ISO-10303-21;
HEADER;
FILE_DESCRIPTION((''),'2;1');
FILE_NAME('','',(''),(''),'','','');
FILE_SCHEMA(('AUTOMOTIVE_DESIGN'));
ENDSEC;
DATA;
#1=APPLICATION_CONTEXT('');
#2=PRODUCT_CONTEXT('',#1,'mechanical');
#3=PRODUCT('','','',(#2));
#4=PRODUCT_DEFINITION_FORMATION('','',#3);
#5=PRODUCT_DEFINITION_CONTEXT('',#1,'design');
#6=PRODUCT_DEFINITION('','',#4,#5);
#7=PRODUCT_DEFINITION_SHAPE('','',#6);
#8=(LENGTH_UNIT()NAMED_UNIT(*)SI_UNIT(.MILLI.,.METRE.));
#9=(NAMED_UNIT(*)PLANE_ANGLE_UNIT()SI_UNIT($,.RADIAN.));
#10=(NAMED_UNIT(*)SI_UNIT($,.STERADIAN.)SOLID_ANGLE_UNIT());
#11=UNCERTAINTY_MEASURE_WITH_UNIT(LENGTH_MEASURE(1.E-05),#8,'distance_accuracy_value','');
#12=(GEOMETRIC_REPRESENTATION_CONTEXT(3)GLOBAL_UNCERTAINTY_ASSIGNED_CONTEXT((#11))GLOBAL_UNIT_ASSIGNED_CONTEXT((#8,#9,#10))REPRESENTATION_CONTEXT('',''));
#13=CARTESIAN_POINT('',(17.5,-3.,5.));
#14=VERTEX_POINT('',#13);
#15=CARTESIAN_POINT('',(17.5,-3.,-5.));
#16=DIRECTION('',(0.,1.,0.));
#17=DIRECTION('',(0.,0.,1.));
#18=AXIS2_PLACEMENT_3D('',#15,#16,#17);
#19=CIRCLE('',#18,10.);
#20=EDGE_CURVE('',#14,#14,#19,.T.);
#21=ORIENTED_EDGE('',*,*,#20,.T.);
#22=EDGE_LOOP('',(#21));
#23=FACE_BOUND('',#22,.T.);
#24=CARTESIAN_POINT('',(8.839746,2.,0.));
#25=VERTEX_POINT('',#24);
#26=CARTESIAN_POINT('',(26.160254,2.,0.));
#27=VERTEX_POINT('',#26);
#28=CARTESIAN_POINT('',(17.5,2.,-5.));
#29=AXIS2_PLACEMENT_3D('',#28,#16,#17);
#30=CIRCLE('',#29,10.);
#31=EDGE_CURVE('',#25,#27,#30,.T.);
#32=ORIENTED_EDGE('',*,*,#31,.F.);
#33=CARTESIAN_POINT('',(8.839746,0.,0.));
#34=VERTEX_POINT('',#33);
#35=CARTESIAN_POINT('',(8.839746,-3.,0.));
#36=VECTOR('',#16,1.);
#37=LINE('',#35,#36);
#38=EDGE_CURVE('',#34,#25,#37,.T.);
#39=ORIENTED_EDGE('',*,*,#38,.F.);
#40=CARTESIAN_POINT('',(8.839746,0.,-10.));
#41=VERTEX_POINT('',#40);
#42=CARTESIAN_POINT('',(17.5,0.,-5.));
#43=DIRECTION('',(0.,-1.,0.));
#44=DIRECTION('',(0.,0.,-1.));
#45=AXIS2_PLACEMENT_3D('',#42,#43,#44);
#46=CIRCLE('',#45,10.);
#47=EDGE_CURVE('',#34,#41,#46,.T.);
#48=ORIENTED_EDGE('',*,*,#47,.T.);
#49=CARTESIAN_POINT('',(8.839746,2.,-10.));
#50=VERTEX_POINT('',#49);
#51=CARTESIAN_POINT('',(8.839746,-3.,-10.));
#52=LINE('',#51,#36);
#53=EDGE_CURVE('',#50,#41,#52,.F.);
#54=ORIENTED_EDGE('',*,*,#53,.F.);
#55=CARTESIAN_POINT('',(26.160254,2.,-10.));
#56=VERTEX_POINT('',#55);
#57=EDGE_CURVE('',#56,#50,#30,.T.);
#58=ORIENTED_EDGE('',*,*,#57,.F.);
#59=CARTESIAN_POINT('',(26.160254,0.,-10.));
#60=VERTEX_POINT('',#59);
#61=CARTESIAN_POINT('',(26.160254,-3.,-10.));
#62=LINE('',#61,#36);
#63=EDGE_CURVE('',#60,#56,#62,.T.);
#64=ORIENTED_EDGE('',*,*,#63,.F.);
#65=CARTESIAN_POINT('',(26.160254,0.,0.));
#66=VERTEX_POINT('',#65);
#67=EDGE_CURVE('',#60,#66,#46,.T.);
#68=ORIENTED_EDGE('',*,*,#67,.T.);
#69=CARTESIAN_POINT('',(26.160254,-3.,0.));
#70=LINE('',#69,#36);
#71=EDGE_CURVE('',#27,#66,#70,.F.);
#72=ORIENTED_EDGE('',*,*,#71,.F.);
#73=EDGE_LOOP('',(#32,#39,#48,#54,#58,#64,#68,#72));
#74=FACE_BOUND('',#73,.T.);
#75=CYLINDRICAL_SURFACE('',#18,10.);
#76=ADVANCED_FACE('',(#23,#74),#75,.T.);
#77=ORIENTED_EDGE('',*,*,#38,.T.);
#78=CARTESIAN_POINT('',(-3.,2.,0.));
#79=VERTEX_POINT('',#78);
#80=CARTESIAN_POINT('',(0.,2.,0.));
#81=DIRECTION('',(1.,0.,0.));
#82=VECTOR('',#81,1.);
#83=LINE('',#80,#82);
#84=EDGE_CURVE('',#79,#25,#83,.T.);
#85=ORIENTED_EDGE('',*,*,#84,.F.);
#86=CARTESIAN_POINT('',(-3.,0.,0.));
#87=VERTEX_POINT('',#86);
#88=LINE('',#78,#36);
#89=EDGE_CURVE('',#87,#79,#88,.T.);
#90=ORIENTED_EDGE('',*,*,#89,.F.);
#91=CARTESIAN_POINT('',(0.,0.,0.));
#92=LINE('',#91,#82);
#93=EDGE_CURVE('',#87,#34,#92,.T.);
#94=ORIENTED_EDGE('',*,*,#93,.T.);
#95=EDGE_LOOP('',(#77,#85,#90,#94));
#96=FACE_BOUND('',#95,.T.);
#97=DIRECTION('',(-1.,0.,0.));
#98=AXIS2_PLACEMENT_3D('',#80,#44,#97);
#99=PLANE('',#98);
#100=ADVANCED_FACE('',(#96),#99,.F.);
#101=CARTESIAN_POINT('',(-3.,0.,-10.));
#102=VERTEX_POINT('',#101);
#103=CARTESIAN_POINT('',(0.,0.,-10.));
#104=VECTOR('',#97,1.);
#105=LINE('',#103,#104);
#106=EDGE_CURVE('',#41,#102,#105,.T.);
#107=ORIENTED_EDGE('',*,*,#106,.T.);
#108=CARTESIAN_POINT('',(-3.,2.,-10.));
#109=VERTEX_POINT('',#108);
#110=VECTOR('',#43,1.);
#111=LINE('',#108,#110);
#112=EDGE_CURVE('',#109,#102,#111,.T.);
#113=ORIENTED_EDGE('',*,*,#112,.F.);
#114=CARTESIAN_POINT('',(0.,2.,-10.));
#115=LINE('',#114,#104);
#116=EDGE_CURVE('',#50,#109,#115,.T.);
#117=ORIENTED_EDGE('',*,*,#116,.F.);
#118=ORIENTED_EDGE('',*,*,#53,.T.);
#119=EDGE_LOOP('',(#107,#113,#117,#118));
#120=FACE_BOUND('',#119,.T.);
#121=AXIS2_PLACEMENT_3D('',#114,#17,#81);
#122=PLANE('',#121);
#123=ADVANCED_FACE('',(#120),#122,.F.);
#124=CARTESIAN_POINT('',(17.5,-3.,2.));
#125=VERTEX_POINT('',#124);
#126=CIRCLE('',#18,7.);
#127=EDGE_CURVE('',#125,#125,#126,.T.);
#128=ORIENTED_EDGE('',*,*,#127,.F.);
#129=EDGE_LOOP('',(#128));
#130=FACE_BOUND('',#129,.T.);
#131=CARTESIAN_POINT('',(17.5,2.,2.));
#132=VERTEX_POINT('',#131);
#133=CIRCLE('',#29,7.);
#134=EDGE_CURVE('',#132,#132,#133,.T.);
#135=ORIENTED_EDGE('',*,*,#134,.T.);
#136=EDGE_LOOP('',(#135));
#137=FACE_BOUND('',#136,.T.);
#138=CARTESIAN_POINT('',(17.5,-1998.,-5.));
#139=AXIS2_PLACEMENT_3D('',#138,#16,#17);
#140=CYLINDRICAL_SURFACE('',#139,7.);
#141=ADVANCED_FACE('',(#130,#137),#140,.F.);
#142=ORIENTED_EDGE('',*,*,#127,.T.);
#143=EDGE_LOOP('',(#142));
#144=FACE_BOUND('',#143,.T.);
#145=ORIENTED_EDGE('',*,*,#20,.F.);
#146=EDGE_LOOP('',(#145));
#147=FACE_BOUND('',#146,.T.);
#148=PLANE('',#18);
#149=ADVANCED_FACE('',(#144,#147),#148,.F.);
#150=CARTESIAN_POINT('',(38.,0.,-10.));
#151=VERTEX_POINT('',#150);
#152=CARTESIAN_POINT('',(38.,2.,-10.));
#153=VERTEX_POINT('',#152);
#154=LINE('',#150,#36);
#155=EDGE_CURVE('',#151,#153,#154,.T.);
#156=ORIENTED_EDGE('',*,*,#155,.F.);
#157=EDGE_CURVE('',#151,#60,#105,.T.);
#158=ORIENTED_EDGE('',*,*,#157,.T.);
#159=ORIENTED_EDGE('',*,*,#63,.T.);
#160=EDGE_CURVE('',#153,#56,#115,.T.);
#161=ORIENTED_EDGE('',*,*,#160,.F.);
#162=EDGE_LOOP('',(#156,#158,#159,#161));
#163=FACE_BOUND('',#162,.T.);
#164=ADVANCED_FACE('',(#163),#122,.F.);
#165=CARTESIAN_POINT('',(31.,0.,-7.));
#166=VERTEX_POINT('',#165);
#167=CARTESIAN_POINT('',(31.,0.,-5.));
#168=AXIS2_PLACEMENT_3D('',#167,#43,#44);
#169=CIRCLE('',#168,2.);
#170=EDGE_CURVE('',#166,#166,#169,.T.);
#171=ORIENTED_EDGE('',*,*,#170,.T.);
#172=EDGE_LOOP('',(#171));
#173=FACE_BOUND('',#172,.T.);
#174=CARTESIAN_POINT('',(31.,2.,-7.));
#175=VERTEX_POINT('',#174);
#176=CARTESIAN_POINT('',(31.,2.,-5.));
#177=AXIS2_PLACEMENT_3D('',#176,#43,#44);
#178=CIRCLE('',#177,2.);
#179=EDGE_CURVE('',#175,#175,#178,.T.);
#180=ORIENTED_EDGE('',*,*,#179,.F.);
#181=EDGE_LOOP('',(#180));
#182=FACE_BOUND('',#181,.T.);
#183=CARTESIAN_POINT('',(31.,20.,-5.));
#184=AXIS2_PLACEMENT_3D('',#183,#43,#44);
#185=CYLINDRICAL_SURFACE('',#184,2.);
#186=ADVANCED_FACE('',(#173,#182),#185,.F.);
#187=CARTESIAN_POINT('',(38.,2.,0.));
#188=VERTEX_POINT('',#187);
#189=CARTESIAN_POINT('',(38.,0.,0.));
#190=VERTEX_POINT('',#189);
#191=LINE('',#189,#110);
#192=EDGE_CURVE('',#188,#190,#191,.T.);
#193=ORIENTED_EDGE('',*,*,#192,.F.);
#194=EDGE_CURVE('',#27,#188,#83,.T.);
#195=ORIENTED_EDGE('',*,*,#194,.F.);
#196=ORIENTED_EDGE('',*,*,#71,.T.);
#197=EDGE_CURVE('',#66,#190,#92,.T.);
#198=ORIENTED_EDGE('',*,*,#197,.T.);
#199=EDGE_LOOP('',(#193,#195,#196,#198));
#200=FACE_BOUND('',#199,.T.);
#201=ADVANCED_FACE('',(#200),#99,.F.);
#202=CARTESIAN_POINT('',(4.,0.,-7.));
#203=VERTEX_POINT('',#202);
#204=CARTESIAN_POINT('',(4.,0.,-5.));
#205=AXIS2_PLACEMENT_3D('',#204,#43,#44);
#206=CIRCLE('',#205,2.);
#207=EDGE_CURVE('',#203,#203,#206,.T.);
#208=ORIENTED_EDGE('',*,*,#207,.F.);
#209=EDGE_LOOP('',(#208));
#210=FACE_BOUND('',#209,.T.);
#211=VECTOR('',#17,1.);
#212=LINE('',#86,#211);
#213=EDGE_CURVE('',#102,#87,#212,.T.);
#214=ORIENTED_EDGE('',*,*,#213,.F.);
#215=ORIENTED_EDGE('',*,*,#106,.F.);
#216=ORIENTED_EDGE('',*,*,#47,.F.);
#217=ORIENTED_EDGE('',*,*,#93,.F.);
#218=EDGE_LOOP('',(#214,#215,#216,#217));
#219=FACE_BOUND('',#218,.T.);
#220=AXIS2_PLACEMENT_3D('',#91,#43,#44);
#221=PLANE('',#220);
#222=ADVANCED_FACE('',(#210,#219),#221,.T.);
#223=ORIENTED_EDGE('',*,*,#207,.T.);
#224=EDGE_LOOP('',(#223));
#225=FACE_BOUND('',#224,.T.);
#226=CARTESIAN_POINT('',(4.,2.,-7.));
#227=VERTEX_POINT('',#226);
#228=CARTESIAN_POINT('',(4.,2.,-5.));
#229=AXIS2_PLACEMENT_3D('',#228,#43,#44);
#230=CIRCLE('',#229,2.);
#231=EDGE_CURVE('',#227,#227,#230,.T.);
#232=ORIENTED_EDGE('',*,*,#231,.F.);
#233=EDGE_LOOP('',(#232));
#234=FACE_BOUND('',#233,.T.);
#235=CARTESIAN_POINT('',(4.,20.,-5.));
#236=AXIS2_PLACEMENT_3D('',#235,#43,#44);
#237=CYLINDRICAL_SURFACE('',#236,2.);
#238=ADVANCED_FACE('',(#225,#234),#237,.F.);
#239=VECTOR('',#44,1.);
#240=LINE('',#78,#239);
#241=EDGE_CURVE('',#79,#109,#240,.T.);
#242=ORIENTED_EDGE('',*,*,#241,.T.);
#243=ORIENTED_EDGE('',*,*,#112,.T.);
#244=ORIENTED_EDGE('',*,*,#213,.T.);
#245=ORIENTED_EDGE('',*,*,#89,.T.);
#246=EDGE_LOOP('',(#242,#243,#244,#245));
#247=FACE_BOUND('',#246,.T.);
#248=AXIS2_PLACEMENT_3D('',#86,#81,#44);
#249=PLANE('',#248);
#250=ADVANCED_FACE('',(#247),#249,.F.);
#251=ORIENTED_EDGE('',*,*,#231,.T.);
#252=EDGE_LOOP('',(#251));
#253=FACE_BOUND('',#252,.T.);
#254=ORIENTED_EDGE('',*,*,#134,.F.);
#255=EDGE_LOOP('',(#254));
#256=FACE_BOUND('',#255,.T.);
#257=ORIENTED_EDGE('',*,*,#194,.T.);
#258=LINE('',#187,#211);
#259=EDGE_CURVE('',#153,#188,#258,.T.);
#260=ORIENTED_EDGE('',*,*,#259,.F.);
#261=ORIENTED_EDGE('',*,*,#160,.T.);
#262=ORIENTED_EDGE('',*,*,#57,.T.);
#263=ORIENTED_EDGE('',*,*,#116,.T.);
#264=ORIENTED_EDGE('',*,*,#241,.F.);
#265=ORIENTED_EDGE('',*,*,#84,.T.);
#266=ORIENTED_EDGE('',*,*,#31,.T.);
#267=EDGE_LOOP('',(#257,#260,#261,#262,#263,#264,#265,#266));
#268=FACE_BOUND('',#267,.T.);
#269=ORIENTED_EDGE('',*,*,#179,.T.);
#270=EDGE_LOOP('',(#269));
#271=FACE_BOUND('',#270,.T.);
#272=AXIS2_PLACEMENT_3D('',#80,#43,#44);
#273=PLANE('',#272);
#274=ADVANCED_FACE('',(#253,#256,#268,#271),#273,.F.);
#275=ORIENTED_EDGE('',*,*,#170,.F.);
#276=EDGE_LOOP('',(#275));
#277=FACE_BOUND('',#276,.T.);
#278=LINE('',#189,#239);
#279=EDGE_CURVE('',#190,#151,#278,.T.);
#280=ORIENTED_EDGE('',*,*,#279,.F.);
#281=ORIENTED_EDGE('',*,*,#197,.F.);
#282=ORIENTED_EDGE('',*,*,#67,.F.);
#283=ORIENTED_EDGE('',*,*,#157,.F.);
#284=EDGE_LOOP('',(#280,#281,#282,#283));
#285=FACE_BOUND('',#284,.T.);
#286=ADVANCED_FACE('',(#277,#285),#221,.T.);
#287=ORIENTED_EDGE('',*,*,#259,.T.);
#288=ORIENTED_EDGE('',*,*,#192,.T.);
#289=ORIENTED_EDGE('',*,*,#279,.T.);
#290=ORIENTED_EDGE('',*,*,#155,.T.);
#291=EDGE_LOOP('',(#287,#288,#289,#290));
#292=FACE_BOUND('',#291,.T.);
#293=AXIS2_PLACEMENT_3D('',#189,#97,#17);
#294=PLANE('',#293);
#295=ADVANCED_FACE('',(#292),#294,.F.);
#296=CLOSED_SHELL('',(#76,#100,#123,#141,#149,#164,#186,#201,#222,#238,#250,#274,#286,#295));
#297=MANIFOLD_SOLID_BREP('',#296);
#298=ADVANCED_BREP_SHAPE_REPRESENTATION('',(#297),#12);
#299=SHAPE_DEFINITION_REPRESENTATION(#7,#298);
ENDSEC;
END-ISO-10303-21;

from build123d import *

# Parameters (mm, degrees)
SKETCH1_W           = 35
SKETCH1_H           = 10
BOSS_EXTRUDE1_DEPTH = 2
SKETCH2_R           = 10
BOSS_EXTRUDE2_DEPTH = 5
SKETCH3_R           = 7
CUT_EXTRUDE1_DEPTH  = 2000
SKETCH4_R           = 2
CUT_EXTRUDE2_DEPTH  = 20
SKETCH5_W           = 10
SKETCH5_H           = 2
BOSS_EXTRUDE3_DEPTH = 3
SKETCH6_W           = 10
SKETCH6_H           = 2
BOSS_EXTRUDE4_DEPTH = 3


with BuildPart() as part:
    # Sketch1 → Boss-Extrude1 (new body)
    with BuildSketch(Plane(origin=(0, 0, 0), x_dir=(1, 0, 0), z_dir=(0, 1, 0))):
        with Locations((17.5, 5)):
            Rectangle(SKETCH1_W, SKETCH1_H)
    extrude(amount=BOSS_EXTRUDE1_DEPTH)

    # Sketch2 → Boss-Extrude2 (add)
    with BuildSketch(Plane(origin=(0, 2, 0), x_dir=(1, 0, 0), z_dir=(0, 1, 0))):
        with Locations(Location((17.5, 5, 0), (0, 0, 270))):
            Circle(SKETCH2_R)
    extrude(amount=-BOSS_EXTRUDE2_DEPTH)

    # Sketch3 → Cut-Extrude1 (cut)
    with BuildSketch(Plane(origin=(0, 2, 0), x_dir=(1, 0, 0), z_dir=(0, 1, 0))):
        with Locations(Location((17.5, 5, 0), (0, 0, 270))):
            Circle(SKETCH3_R)
    extrude(amount=-CUT_EXTRUDE1_DEPTH, mode=Mode.SUBTRACT)

    # Sketch4 → Cut-Extrude2 (cut)
    with BuildSketch(Plane.XZ):
        with Locations(Location((4, -5, 0), (0, 0, 270))):
            Circle(SKETCH4_R)
        with Locations(Location((31, -5, 0), (0, 0, 270))):
            Circle(SKETCH4_R)
    extrude(amount=-CUT_EXTRUDE2_DEPTH, mode=Mode.SUBTRACT)

    # Sketch5 → Boss-Extrude3 (add)
    with BuildSketch(Plane.ZY):
        with Locations((-5, 1)):
            Rectangle(SKETCH5_W, SKETCH5_H)
    extrude(amount=BOSS_EXTRUDE3_DEPTH)

    # Sketch6 → Boss-Extrude4 (add)
    with BuildSketch(Plane(origin=(35, 0, 0), x_dir=(0, 0, -1), z_dir=(1, 0, 0))):
        with Locations((5, 1)):
            Rectangle(SKETCH6_W, SKETCH6_H)
    extrude(amount=BOSS_EXTRUDE4_DEPTH)


solid = part.part
